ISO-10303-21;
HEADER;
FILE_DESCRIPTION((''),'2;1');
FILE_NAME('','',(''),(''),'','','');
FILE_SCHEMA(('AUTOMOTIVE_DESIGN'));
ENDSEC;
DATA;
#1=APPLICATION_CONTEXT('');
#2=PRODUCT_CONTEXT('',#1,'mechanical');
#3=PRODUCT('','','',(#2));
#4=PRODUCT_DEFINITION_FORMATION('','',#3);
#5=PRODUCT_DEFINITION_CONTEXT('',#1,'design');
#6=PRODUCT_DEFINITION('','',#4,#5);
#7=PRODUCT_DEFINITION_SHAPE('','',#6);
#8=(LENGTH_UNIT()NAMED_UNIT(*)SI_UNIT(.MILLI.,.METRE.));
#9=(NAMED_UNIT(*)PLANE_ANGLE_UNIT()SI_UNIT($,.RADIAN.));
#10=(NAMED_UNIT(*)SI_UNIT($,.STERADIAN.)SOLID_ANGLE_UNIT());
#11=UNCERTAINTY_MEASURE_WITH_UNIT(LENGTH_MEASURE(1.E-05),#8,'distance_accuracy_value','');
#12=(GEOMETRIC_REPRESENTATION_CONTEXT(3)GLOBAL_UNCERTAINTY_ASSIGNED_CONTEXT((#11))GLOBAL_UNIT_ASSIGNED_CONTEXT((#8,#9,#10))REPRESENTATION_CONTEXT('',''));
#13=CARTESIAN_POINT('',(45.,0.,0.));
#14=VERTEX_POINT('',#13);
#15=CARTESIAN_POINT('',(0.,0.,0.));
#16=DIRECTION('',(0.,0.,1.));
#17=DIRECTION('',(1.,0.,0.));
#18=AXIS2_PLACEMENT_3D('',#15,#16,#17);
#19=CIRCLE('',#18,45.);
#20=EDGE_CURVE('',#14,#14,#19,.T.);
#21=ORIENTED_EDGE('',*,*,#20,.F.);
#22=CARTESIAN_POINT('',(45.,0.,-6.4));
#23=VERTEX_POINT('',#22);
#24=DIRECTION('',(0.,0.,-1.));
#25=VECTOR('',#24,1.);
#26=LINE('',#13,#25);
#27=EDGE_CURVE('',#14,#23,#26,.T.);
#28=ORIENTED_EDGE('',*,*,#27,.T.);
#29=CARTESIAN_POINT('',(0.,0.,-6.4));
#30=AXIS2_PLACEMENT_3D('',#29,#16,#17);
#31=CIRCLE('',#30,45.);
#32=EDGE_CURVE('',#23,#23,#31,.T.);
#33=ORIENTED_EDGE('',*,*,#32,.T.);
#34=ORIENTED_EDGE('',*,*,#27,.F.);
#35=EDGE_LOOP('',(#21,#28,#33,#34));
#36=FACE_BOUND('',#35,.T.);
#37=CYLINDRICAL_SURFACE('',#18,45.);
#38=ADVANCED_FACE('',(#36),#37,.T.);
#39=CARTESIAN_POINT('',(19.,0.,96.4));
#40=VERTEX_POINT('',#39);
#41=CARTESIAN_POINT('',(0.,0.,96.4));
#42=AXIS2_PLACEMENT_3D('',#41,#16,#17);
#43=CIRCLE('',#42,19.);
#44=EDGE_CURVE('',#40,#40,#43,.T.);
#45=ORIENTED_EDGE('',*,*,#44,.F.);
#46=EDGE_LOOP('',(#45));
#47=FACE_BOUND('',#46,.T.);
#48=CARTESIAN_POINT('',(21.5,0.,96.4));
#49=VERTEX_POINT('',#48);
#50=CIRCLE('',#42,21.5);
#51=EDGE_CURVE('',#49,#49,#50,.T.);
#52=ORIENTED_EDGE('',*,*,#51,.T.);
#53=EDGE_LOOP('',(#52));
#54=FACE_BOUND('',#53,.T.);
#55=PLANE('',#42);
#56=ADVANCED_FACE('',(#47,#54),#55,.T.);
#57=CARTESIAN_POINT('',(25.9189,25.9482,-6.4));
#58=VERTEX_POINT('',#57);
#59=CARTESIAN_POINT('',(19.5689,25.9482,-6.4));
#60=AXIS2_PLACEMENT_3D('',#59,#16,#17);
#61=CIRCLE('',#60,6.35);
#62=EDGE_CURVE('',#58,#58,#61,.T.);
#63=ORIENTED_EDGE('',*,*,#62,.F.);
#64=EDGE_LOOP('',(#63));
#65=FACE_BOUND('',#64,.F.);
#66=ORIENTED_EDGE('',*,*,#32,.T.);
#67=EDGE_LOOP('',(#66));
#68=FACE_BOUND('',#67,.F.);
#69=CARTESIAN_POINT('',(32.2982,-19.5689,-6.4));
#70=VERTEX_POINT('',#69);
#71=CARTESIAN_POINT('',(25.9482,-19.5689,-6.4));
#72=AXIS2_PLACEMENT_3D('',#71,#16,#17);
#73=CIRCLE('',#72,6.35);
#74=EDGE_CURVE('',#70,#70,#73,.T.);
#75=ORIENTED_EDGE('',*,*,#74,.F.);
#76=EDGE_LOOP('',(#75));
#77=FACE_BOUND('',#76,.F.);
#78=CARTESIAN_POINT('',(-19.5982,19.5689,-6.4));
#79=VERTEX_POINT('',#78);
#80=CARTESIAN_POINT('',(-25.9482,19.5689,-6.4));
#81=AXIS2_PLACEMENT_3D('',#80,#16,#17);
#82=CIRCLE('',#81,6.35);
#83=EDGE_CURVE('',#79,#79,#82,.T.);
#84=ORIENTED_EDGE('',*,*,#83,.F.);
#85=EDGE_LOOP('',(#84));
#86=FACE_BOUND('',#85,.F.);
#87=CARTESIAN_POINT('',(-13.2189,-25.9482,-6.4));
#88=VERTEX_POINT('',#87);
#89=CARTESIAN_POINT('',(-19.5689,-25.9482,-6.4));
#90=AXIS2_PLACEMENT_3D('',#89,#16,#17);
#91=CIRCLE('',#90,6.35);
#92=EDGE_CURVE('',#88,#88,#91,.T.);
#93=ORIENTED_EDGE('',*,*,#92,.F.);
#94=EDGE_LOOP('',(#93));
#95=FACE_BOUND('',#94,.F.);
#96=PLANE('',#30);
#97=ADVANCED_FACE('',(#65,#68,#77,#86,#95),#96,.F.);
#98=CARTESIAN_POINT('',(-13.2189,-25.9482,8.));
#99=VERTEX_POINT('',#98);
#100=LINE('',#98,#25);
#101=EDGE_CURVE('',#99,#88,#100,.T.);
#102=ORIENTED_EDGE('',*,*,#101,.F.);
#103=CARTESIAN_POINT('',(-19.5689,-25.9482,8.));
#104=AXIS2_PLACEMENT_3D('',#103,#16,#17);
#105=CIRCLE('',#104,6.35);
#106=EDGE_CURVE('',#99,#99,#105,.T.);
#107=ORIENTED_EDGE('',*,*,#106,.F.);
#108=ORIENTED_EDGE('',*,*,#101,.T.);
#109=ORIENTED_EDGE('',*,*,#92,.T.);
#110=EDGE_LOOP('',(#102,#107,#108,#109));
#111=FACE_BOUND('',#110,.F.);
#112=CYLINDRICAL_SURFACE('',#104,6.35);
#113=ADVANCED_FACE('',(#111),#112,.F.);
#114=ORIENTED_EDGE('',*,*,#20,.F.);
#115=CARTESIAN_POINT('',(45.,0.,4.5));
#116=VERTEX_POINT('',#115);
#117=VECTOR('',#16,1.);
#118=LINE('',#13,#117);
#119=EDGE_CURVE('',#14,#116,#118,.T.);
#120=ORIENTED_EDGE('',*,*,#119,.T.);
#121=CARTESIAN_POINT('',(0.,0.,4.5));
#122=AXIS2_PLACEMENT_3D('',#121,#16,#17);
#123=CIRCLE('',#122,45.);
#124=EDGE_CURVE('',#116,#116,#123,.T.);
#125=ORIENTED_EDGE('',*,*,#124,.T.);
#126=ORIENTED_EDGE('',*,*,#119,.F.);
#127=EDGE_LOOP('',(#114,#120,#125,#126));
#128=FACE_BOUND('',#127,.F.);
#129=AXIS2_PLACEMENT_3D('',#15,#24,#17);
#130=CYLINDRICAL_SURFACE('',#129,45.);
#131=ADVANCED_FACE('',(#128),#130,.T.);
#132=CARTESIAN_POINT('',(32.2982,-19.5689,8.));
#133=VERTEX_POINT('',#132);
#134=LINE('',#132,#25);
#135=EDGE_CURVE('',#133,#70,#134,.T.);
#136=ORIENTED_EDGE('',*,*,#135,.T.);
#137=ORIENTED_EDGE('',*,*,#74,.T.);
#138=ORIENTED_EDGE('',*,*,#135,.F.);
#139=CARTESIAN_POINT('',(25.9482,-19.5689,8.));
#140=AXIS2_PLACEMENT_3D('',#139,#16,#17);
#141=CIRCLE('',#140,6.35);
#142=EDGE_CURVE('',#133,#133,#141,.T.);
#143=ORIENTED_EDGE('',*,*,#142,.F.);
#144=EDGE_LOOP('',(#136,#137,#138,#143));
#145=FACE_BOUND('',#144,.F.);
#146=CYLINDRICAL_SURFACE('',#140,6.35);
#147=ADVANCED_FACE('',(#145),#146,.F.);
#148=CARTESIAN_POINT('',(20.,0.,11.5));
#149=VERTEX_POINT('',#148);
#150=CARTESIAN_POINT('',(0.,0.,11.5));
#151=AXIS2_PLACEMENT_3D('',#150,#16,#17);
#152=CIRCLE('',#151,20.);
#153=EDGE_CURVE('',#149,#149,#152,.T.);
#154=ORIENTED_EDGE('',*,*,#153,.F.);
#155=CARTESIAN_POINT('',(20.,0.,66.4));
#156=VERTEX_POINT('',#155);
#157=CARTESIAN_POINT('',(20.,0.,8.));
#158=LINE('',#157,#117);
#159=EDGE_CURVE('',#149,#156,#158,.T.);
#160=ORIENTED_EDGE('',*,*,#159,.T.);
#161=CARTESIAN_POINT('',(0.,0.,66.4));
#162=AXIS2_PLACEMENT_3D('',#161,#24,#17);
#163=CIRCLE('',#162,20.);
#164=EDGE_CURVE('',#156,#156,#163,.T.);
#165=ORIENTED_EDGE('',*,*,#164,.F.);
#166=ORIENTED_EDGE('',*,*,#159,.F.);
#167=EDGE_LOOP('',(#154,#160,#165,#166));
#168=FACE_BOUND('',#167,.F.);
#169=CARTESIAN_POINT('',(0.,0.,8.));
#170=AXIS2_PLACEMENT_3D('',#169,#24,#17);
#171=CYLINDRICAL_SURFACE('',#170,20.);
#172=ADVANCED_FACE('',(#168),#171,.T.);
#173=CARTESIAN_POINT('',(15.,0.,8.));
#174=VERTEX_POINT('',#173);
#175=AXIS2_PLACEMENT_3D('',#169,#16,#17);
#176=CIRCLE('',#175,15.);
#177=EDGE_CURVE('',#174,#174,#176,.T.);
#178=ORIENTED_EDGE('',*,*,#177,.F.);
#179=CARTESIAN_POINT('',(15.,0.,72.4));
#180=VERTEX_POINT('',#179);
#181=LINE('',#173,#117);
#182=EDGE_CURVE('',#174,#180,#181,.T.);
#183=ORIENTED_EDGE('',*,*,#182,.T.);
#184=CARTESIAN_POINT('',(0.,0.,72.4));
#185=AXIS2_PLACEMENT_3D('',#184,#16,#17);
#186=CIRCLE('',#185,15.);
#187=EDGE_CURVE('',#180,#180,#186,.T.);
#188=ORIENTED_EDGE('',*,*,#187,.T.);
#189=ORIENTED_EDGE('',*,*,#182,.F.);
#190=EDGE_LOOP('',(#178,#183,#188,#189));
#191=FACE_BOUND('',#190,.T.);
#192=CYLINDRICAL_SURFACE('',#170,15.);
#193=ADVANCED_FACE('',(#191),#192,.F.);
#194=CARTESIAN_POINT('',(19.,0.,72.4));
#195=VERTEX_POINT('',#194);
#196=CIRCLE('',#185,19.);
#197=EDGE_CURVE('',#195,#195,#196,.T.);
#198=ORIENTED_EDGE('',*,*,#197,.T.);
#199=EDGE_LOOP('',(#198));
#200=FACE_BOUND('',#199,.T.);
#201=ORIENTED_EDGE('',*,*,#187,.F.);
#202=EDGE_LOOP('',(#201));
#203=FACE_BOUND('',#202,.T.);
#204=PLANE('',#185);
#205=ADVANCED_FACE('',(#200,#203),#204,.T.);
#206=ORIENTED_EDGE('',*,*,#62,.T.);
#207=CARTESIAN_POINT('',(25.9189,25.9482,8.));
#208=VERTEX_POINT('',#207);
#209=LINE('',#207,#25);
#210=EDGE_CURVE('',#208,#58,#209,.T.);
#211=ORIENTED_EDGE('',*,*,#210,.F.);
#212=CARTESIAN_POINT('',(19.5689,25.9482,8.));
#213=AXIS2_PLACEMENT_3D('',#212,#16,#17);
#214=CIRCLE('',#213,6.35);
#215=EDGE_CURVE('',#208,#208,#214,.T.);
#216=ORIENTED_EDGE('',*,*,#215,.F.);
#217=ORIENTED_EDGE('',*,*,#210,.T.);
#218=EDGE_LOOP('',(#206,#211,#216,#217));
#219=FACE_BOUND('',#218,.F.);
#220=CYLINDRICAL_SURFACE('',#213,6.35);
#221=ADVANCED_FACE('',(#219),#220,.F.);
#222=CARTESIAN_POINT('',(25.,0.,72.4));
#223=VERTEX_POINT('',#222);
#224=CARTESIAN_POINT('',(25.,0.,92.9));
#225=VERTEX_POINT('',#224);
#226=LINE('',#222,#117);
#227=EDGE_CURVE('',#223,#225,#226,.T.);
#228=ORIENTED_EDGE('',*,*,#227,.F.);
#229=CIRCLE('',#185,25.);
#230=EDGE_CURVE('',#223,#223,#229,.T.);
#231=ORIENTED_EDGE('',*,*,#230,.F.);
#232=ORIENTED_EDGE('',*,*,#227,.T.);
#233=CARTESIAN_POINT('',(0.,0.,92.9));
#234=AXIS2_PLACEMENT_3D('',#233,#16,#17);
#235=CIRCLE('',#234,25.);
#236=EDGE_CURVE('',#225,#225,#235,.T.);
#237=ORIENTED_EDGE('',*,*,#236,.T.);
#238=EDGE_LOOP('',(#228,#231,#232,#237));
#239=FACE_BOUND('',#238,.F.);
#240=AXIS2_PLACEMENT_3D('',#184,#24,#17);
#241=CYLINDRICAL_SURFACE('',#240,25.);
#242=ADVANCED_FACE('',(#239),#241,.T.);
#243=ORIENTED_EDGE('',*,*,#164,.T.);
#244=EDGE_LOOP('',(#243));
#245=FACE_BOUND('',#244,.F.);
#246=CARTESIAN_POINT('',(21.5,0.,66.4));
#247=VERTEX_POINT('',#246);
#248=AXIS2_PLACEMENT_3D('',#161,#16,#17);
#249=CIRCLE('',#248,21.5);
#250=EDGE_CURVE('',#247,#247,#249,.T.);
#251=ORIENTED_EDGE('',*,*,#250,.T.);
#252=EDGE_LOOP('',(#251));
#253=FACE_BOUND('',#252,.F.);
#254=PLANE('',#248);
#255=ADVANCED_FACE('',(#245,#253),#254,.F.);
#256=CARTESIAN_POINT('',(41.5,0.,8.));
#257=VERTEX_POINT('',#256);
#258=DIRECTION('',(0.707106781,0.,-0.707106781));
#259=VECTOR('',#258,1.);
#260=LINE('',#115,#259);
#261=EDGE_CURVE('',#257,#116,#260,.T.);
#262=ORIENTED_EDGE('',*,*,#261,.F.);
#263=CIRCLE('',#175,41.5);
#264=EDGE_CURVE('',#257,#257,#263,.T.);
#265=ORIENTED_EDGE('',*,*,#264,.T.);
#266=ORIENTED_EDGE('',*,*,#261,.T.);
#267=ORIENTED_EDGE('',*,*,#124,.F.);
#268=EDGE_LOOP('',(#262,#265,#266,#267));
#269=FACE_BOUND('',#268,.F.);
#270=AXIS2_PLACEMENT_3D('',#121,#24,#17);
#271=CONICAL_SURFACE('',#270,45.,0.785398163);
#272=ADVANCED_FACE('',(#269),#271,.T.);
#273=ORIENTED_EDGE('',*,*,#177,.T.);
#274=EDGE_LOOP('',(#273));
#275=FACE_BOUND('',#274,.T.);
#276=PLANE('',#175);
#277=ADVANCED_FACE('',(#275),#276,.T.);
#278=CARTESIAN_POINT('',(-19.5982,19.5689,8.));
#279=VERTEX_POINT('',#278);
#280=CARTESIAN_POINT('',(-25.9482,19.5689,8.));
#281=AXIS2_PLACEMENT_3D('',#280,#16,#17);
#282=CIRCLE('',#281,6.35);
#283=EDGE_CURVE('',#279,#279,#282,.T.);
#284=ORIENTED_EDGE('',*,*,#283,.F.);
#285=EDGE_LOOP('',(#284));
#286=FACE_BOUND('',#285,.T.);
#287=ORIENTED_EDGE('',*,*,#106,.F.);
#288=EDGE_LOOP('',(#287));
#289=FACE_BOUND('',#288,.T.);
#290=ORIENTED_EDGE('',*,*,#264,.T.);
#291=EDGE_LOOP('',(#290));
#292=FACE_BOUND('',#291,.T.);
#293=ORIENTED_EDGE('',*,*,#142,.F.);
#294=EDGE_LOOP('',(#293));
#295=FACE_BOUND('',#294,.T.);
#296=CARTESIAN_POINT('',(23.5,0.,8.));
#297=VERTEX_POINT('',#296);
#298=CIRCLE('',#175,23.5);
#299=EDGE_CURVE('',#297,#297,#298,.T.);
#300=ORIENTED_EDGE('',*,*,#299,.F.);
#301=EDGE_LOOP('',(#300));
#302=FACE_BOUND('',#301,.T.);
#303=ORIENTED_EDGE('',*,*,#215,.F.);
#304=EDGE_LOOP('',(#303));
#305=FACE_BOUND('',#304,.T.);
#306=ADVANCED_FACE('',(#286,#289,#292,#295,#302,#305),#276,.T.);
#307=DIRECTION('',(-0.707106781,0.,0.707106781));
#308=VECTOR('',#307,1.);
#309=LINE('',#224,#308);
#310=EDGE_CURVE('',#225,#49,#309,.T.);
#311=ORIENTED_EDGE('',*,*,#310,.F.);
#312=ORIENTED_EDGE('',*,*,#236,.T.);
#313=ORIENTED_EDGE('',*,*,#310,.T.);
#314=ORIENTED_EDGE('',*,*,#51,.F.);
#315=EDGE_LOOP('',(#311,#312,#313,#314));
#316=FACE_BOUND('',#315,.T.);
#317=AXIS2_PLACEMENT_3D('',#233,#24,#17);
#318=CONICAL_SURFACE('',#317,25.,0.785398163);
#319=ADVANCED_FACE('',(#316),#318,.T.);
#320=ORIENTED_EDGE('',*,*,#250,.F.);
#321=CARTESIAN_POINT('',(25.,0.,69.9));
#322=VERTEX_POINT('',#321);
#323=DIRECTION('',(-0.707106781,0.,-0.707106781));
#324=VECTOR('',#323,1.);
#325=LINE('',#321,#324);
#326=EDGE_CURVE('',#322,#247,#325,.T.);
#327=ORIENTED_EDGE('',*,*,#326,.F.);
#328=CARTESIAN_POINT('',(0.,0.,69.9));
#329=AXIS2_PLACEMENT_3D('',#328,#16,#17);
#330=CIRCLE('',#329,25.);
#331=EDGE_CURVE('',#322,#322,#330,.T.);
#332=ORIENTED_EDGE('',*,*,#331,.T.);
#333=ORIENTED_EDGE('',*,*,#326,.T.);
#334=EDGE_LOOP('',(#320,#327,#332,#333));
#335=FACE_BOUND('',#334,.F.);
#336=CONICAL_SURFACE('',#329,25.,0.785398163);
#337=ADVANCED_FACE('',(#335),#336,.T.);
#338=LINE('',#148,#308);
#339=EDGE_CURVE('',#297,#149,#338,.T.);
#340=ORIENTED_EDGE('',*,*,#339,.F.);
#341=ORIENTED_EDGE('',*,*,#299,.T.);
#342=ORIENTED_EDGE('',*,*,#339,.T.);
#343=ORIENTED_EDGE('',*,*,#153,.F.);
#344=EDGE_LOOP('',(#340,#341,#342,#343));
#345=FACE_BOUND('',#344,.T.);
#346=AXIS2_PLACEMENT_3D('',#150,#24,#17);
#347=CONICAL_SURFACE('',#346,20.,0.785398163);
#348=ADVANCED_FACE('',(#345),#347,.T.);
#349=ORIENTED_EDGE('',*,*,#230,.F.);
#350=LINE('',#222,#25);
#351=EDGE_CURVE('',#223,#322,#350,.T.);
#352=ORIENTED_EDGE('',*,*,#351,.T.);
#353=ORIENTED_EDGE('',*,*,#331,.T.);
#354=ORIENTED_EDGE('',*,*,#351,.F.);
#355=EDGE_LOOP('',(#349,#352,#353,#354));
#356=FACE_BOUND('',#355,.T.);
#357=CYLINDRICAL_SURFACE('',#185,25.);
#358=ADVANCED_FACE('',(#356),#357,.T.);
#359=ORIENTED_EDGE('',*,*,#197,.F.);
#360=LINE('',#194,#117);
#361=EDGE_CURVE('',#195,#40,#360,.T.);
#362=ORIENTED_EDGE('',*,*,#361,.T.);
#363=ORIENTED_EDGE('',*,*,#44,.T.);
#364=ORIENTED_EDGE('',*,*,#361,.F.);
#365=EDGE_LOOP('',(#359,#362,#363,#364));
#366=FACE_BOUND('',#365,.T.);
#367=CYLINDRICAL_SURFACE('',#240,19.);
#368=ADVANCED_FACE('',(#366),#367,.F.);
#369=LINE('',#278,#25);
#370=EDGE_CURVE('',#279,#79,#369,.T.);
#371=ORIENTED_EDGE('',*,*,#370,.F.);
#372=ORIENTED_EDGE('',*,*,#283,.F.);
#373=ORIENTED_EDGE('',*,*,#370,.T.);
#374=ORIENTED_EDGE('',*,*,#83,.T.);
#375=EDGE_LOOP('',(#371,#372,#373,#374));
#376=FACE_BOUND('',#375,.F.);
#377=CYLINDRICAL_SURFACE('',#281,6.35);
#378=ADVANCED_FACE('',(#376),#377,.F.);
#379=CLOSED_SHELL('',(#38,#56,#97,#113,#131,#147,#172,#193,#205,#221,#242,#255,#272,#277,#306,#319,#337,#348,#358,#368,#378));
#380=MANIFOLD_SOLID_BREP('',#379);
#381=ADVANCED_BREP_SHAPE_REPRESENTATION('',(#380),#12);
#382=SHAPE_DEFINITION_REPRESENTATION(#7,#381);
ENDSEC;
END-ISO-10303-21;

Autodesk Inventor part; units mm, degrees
ref_plane "YZ Plane" through (0, 0, 0) normal (1, 0, 0) x (0, 1, 0)
ref_plane "XZ Plane" through (0, 0, 0) normal (0, 1, 0) x (-1, 0, 0)
ref_plane "XY Plane" through (0, 0, 0) normal (0, 0, 1) x (1, 0, 0)
sketch "Sketch1" plane through (0, 0, 0) normal (0, 0, 1) x (1, 0, 0)
  line L0 (-438.4859, 117.5453) -> (-265.3275, 117.5453) construction
  line L1 (-265.3275, 117.5453) -> (-265.3275, -22.5902) construction
  line L2 (-265.3275, -22.5902) -> (-438.4859, -22.5902) construction
  line L3 (-438.4859, -22.5902) -> (-438.4859, 117.5453) construction
  circle A0 centre (0, 0) radius 45
  dimension "d3" = 90
extrude "Extrusion1" add sketch "Sketch1" along normal blind 8 and the other way blind 6.4
sketch "Sketch2" plane through (0, 0, 8) normal (0, 0, 1) x (1, 0, 0)
  circle A0 centre (19.5689, 25.9482) radius 6.35
  circle A1 centre (-25.9482, 19.5689) radius 6.35
  circle A2 centre (-19.5689, -25.9482) radius 6.35
  circle A3 centre (25.9482, -19.5689) radius 6.35
  point P0 (0, 0)
  dimension "d7" = 12.7
  dimension "d8" = 32.5
  dimension "d11" = 360
extrude "Extrusion2" cut sketch "Sketch2" against normal through all
sketch "Sketch3" plane through (0, 0, 8) normal (0, 0, 1) x (1, 0, 0)
  circle A0 centre (0, 0) radius 20
  circle A1 centre (0, 0) radius 15
  dimension "d16" = 40
  dimension "d17" = 30
extrude "Extrusion3" add sketch "Sketch3" along normal blind 64.4
sketch "Sketch4" plane through (0, 0, 72.4) normal (0, 0, 1) x (1, 0, 0)
  circle A0 centre (0, 0) radius 25
  circle A1 centre (0, 0) radius 15 projected
  circle A2 centre (0, 0) radius 19
  dimension "d20" = 50
  dimension "d21" = 38
extrude "Extrusion4" add sketch "Sketch4" along normal blind 24 and the other way blind 6 contours A0
chamfer "Chamfer1" distance 3.5 angle 45 1 edges at (-20, 0, 8)
chamfer "Chamfer2" distance 3.5 angle 45 1 edges at (-25, 0, 96.4)
chamfer "Chamfer3" distance 3.5 angle 45 1 edges at (-25, 0, 66.4)
chamfer "Chamfer4" distance 3.5 angle 45 1 edges at (-45, 0, 8)
properties part number "cad@23"
